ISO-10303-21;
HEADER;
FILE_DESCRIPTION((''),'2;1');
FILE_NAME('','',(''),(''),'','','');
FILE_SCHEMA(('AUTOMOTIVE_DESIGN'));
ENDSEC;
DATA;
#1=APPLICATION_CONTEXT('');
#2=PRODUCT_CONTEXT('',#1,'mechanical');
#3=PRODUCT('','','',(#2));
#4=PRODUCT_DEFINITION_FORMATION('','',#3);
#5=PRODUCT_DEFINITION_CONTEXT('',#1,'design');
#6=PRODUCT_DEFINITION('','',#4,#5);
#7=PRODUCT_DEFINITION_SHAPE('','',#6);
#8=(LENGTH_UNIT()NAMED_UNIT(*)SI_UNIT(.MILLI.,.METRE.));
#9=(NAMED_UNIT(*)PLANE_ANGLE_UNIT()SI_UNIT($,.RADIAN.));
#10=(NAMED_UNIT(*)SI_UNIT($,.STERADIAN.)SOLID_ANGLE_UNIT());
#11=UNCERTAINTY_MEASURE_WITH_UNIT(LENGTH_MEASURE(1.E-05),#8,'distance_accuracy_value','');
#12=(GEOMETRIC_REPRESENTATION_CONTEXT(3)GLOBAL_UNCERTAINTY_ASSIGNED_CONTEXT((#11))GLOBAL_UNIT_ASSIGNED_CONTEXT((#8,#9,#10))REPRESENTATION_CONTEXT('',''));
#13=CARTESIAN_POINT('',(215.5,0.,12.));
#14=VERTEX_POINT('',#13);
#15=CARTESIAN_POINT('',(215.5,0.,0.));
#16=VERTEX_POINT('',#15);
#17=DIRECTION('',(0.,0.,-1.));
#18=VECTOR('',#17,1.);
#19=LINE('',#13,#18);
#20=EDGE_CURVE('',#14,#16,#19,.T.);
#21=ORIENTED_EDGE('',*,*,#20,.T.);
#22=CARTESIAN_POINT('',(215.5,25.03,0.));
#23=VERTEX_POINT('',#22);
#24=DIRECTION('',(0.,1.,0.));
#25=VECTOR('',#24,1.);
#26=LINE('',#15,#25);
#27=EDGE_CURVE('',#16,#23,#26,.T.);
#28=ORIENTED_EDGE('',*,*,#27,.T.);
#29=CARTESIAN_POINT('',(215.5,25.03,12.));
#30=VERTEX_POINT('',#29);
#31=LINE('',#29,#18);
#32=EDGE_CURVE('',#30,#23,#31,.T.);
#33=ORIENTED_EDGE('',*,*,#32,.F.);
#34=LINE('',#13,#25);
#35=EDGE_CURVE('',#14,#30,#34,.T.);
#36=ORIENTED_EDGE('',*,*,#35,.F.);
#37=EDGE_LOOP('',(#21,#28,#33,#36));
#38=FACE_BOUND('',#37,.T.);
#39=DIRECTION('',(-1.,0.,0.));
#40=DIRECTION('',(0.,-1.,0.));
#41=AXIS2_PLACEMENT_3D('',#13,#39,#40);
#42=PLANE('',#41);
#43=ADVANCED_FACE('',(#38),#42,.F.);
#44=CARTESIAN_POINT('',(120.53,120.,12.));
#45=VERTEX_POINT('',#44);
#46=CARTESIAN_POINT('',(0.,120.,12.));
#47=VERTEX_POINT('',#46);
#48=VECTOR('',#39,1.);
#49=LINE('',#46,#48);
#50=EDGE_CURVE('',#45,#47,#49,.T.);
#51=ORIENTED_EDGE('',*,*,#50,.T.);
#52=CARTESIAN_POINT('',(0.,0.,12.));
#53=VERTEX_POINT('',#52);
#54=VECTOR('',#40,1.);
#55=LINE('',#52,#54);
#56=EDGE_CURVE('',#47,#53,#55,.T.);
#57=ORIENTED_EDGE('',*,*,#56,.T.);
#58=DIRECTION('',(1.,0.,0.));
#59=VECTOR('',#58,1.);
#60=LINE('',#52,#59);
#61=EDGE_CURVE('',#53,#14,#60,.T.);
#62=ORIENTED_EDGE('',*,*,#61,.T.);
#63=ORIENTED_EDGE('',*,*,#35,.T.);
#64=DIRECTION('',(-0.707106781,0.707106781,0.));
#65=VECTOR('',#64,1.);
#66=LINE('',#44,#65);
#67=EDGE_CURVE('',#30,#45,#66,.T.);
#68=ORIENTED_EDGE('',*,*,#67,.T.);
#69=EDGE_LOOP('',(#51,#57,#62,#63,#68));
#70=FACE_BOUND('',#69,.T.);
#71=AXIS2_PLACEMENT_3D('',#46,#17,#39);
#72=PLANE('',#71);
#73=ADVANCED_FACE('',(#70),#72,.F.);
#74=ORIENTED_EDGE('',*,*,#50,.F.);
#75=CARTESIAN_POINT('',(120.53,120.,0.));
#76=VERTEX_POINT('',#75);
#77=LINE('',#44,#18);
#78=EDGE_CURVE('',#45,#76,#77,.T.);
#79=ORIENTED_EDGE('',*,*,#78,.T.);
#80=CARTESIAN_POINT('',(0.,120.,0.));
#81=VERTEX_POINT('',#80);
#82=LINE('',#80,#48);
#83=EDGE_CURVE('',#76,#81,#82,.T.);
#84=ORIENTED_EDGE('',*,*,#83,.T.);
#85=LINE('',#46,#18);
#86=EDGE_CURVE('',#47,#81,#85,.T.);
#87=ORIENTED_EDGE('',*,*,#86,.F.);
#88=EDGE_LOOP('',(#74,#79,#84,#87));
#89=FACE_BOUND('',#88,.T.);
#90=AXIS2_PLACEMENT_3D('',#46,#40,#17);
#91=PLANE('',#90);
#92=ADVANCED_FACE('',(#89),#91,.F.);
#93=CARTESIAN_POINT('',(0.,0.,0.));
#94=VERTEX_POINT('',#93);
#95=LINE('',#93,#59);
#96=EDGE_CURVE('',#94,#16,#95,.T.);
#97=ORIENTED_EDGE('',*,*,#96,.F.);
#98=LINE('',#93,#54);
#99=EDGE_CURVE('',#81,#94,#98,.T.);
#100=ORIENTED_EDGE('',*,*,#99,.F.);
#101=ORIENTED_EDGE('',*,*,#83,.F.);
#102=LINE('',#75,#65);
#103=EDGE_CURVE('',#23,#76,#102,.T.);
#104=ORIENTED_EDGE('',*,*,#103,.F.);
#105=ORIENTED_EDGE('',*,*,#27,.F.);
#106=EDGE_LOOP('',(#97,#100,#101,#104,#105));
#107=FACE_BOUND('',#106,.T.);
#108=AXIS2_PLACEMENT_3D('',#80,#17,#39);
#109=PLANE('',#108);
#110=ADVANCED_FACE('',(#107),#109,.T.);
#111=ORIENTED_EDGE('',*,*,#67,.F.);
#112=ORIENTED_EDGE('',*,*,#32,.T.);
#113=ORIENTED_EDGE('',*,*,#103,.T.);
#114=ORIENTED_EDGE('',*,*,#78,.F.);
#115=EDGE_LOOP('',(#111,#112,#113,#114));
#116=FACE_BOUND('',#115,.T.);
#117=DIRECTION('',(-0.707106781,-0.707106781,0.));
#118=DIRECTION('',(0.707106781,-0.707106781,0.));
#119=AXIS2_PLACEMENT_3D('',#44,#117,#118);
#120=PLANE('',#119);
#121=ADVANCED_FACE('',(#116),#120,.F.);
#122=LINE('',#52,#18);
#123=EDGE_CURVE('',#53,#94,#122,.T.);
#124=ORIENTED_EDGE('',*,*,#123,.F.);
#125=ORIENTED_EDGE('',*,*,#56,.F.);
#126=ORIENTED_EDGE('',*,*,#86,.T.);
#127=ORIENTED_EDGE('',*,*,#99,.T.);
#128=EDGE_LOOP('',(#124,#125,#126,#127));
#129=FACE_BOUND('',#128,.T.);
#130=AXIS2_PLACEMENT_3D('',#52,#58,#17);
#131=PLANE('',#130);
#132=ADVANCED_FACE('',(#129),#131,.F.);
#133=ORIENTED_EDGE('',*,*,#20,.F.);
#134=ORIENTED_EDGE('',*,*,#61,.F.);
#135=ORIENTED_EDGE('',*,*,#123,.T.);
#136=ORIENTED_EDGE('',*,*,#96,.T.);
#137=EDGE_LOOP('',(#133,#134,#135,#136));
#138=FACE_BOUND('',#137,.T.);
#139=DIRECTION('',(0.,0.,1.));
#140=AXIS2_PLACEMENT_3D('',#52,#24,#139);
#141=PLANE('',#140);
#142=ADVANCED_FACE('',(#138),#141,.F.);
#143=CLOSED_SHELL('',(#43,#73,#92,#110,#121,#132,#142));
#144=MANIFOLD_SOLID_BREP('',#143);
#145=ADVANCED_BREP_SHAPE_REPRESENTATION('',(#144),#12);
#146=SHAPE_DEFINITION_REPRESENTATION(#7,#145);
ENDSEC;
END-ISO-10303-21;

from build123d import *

# Parameters (mm, degrees)
EXTRUDE1_DEPTH = 12


with BuildPart() as part:
    # Sketch1 → Extrude1 (new body)
    with BuildSketch(Plane.XY):
        Polygon((120.53, 120), (215.5, 25.03), (215.5, 0), (0, 0), (0, 120), align=None)
    extrude(amount=EXTRUDE1_DEPTH)


solid = part.part
